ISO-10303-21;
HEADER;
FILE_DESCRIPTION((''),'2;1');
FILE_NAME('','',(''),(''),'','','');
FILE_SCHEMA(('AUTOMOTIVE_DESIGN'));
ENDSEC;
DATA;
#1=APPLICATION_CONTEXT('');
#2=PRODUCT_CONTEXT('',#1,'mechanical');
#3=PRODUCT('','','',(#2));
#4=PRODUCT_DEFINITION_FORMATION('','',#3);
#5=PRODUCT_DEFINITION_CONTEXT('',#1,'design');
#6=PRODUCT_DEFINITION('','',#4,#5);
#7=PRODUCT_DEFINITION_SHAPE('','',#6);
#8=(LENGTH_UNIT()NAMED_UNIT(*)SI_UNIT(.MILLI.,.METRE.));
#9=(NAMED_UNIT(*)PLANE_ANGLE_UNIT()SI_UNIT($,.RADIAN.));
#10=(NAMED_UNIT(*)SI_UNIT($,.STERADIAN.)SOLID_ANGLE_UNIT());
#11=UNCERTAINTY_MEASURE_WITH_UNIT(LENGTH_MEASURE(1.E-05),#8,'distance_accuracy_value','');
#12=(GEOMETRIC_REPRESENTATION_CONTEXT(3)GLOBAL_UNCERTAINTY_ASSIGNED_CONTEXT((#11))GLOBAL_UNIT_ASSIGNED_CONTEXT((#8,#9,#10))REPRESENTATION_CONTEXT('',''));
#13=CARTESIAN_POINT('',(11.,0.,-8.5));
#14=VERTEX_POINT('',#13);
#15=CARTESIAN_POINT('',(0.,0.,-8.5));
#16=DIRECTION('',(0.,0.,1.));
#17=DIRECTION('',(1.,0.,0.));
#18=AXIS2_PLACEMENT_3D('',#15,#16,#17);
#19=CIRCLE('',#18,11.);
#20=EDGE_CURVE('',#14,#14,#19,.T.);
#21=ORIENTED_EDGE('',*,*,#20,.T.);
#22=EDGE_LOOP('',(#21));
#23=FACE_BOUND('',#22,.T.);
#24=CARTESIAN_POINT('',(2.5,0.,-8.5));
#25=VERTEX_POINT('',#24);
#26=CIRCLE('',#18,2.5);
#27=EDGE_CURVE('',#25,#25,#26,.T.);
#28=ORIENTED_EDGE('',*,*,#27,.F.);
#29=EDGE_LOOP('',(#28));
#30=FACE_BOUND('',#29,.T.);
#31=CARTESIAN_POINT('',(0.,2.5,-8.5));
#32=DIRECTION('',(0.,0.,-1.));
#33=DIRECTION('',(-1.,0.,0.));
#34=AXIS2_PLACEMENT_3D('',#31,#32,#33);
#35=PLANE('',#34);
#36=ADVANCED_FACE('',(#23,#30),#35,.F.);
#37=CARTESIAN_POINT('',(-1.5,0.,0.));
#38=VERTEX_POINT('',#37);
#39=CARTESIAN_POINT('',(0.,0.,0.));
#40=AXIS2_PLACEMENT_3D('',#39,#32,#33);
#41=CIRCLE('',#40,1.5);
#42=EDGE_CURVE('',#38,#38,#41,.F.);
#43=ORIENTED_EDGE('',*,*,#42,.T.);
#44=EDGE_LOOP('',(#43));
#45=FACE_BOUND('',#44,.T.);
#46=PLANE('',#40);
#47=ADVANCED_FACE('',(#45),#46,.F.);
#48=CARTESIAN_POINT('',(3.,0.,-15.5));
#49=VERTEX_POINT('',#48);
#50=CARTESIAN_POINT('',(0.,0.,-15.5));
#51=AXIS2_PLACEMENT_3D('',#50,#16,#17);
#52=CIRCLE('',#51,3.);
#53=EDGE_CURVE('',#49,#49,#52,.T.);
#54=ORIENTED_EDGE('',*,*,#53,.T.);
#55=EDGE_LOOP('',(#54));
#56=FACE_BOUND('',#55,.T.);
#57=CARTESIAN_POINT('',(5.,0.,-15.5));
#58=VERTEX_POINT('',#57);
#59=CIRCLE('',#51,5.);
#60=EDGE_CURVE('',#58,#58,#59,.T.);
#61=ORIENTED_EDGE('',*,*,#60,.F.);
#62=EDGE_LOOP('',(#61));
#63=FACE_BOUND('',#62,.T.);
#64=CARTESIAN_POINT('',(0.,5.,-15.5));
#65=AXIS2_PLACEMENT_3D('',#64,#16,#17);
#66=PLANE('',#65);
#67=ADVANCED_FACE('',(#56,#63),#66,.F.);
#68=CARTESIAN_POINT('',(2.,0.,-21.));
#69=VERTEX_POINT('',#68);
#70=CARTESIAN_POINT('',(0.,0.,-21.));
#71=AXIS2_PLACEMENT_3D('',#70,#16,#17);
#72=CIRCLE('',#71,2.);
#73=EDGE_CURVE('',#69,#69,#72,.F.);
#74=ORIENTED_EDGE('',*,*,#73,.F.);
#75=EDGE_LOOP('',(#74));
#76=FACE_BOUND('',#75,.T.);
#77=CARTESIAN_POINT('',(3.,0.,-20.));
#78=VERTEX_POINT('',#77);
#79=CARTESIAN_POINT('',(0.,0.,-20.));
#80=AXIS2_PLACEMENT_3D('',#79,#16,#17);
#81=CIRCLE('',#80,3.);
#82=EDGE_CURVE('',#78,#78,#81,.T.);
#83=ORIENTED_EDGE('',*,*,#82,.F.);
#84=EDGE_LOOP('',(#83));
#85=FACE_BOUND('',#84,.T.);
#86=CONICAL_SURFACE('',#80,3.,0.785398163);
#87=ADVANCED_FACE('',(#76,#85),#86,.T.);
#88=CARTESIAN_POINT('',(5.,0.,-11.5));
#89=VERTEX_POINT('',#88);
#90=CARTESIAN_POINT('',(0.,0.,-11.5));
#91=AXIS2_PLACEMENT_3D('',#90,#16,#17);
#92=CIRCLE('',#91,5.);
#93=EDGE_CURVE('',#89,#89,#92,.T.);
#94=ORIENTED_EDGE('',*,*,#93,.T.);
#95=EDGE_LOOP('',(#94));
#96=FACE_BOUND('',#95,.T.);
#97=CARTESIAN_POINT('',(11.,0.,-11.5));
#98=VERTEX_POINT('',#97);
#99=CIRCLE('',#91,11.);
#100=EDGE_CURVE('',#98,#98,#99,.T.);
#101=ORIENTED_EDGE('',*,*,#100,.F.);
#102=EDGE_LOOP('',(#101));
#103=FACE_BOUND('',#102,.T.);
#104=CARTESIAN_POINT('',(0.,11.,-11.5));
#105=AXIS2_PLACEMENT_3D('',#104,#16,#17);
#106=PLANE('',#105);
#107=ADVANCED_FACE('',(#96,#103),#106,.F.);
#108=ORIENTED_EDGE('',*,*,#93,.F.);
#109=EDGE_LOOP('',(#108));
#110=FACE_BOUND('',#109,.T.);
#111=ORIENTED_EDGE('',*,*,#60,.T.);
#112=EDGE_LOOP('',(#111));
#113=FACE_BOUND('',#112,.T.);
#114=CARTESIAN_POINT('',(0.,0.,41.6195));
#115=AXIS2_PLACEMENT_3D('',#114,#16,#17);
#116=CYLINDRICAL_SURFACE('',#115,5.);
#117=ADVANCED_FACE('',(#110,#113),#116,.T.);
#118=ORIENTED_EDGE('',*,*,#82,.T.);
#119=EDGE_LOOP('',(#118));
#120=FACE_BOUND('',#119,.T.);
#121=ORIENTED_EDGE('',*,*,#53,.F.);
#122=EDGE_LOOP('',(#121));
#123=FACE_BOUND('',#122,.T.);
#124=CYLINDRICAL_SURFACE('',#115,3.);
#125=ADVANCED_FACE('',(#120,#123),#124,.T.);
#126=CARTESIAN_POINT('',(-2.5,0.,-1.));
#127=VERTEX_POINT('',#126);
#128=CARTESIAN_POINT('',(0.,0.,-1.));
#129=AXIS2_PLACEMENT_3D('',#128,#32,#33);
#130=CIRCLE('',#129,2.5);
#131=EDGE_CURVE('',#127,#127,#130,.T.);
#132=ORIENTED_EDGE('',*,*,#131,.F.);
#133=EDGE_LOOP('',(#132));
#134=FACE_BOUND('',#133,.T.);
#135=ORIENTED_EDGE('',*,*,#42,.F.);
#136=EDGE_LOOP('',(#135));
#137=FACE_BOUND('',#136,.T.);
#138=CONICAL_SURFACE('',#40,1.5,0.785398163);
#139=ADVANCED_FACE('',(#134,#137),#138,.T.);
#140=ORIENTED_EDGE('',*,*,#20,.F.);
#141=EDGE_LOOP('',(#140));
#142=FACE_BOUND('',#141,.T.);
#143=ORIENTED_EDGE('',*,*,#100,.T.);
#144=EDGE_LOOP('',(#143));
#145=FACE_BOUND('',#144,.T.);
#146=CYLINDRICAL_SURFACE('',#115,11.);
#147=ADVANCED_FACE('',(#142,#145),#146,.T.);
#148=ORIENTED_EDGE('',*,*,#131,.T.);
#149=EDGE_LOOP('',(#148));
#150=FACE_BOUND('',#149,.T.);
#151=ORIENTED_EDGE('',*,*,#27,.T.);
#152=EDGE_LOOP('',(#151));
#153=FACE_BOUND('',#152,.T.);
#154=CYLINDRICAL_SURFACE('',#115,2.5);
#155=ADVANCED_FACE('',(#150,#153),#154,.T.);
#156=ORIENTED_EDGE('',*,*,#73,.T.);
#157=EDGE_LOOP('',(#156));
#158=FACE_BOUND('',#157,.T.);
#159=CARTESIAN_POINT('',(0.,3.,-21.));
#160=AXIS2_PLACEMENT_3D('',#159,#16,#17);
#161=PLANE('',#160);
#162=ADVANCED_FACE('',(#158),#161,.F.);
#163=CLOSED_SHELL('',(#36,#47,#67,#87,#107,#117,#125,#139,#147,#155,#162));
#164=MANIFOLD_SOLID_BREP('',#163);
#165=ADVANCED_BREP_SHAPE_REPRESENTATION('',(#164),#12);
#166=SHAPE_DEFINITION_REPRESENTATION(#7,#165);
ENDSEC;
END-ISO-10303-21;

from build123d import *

# Parameters (mm, degrees)
CHAMFER1_SIZE = 1


with BuildPart() as part:
    # Sketch1 → Revolve1 (revolve)
    with BuildSketch(Plane(origin=(0, 0, 0), x_dir=(0, 0, -1), z_dir=(1, 0, 0)), mode=Mode.PRIVATE) as revolve1_sk:
        Polygon((0, 0), (0, 2.5), (8.5, 2.5), (8.5, 11), (11.5, 11), (11.5, 5), (15.5, 5), (15.5, 3), (21, 3), (21, 0), align=None)
    revolve(revolve1_sk.sketch.rotate(Axis((0, 0, 41.619499546), (0, 0, -1)), 90), axis=Axis((0, 0, 41.619499546), (0, 0, -1)))

    # Chamfer1
    chamfer1_edges = [part.edges().sort_by_distance(p)[0] for p in [
        (-2.5, 0, 0),
        (-3, 0, -21),
    ]]
    chamfer(chamfer1_edges, length=CHAMFER1_SIZE)


solid = part.part
